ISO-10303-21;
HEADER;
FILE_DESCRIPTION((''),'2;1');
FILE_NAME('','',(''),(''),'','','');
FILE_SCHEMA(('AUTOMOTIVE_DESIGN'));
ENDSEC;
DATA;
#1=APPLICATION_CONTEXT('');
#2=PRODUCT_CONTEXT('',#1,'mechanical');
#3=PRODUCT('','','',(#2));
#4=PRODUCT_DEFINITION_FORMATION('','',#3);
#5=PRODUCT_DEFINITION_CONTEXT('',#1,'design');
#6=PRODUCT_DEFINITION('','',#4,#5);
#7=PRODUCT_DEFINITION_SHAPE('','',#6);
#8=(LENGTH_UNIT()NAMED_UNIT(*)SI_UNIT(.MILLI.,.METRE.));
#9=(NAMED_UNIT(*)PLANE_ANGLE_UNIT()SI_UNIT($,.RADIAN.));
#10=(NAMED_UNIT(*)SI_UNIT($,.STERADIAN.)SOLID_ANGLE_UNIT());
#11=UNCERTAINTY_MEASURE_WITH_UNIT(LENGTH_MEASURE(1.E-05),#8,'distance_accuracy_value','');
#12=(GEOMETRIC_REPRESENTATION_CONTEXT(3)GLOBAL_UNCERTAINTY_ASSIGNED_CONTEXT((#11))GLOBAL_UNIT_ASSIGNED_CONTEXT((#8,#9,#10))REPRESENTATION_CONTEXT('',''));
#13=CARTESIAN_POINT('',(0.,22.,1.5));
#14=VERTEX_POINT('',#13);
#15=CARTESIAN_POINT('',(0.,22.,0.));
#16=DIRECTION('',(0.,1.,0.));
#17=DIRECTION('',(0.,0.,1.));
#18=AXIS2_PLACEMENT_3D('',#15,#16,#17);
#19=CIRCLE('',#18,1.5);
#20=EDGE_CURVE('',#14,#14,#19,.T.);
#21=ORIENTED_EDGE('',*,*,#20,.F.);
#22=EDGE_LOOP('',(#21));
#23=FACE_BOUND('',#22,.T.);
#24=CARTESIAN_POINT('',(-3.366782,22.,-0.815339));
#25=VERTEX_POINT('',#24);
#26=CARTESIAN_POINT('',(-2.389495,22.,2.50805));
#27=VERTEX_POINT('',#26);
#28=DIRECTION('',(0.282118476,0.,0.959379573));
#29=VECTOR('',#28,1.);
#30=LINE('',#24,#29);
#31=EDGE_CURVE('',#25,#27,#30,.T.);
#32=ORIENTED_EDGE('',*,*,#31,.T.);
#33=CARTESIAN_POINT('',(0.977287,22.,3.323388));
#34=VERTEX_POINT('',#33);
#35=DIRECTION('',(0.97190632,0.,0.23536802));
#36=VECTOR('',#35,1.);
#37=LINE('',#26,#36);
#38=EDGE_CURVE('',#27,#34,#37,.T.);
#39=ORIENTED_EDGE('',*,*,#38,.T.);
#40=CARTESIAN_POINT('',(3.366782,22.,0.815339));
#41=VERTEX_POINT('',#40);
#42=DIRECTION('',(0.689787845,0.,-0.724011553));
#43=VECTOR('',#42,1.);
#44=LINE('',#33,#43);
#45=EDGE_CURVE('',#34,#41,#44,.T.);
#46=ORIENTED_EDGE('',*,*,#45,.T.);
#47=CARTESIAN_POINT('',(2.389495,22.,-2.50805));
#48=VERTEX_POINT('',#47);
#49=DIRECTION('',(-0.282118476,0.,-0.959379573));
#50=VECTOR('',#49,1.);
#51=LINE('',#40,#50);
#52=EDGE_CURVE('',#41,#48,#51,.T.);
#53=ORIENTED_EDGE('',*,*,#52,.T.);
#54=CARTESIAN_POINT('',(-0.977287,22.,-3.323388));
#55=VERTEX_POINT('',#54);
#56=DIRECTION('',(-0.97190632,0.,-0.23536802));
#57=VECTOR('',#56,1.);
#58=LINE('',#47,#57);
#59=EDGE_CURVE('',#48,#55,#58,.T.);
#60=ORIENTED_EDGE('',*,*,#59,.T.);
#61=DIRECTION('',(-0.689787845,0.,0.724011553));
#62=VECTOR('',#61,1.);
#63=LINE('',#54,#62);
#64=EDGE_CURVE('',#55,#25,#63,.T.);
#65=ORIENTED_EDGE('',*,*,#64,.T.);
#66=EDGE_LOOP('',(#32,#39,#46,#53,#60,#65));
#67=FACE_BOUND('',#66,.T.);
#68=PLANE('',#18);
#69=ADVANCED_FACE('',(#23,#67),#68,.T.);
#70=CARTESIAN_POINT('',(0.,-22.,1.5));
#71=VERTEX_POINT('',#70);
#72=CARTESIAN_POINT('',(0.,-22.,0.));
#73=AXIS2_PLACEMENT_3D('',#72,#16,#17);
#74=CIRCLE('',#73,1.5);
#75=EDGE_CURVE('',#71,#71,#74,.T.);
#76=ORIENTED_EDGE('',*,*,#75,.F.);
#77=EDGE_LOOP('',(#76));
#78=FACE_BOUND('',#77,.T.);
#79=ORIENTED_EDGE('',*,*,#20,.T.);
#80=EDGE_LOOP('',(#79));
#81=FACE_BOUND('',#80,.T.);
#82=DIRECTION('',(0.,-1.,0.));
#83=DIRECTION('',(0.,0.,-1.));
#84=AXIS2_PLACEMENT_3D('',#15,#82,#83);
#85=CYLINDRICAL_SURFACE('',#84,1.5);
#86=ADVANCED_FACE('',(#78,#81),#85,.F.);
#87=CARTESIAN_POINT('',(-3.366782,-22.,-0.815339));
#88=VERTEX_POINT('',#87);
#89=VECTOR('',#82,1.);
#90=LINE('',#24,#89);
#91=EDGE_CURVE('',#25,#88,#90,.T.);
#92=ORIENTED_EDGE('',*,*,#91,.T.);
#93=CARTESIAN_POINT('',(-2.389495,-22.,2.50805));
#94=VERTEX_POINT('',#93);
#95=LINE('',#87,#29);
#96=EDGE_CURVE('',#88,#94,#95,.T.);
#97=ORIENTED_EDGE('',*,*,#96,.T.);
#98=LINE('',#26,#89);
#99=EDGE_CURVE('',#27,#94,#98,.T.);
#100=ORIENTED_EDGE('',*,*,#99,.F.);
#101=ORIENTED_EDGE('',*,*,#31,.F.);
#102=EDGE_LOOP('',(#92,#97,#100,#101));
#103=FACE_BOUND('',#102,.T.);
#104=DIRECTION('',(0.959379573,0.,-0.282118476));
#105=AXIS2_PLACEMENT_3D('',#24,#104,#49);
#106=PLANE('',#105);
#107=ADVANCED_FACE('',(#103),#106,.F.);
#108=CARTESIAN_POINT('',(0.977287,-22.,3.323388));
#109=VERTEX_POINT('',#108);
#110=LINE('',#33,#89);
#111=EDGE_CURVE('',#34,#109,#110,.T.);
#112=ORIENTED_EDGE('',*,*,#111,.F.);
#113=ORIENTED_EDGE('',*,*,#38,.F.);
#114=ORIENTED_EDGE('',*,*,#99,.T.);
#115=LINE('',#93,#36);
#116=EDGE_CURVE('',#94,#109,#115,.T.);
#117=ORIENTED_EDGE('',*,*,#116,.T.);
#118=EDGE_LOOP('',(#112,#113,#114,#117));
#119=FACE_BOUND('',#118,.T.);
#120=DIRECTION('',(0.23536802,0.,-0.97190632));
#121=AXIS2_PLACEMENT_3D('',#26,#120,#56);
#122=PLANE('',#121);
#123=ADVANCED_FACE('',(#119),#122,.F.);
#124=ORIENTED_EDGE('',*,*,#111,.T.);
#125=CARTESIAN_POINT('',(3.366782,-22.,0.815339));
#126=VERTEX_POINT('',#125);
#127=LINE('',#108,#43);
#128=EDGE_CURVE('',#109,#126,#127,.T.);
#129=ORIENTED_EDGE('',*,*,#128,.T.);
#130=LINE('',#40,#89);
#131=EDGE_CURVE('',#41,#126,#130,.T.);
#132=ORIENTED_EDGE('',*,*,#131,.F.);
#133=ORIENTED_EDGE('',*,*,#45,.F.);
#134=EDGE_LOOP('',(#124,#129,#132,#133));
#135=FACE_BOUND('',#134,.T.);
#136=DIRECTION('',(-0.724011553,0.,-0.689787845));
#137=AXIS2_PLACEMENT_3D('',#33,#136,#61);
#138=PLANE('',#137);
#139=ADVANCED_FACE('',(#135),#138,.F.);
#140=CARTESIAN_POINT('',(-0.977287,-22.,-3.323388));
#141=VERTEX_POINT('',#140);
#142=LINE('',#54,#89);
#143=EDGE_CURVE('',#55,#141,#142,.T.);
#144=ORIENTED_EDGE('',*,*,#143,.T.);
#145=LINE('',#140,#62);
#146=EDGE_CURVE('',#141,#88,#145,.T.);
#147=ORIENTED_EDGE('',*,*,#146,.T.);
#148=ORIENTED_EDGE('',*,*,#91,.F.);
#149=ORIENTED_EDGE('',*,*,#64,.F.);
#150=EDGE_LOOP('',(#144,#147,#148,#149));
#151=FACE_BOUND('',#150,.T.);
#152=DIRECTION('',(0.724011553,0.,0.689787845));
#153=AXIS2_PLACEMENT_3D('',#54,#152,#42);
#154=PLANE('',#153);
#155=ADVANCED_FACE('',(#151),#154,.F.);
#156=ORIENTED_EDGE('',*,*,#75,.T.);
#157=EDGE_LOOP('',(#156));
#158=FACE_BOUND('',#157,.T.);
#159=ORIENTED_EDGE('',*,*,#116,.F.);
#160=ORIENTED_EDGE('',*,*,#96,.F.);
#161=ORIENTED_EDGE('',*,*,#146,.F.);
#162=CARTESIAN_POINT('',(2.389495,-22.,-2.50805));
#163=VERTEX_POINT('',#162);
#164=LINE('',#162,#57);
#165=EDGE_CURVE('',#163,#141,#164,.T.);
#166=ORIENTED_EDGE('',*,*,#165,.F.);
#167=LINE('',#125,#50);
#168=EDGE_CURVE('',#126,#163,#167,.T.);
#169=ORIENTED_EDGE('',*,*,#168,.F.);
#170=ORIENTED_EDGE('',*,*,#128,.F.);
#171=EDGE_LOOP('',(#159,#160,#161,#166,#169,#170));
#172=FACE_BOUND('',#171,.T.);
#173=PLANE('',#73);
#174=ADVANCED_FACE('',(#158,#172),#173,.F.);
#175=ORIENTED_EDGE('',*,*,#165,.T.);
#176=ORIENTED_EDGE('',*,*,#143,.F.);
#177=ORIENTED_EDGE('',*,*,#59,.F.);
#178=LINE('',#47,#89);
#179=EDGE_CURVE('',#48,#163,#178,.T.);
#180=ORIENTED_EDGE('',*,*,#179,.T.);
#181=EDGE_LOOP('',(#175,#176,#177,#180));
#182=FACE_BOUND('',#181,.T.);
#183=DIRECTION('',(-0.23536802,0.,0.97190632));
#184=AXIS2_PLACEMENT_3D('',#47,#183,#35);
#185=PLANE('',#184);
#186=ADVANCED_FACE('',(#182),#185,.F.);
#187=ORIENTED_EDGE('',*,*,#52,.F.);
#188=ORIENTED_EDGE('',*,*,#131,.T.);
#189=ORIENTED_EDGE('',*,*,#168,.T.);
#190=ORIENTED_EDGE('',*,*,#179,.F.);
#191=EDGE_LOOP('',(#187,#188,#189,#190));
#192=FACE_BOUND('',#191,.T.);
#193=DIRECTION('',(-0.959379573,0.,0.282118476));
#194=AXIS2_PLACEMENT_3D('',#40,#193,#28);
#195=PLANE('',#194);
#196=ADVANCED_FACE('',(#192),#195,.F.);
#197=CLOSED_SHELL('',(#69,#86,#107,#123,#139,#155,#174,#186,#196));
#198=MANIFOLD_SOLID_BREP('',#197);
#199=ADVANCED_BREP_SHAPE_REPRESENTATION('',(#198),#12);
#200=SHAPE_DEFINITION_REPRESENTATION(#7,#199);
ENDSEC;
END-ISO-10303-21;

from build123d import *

# Parameters (mm, degrees)
SKETCH1_R           = 1.5
BOSS_EXTRUDE1_DEPTH = 22


with BuildPart() as part:
    # Sketch1 → Boss-Extrude1 (new, symmetric)
    with BuildSketch(Plane(origin=(0, 0, 0), x_dir=(1, 0, 0), z_dir=(0, 1, 0))):
        Polygon((0.977287067, -3.32338833), (3.366782253, -0.815338738), (2.389495187, 2.508049591), (-0.977287067, 3.32338833), (-3.366782253, 0.815338738), (-2.389495187, -2.508049591), align=None)
        with Locations(Location((0, 0, 0), (0, 0, 270))):
            Circle(SKETCH1_R, mode=Mode.SUBTRACT)
    extrude(amount=BOSS_EXTRUDE1_DEPTH, both=True)


solid = part.part
